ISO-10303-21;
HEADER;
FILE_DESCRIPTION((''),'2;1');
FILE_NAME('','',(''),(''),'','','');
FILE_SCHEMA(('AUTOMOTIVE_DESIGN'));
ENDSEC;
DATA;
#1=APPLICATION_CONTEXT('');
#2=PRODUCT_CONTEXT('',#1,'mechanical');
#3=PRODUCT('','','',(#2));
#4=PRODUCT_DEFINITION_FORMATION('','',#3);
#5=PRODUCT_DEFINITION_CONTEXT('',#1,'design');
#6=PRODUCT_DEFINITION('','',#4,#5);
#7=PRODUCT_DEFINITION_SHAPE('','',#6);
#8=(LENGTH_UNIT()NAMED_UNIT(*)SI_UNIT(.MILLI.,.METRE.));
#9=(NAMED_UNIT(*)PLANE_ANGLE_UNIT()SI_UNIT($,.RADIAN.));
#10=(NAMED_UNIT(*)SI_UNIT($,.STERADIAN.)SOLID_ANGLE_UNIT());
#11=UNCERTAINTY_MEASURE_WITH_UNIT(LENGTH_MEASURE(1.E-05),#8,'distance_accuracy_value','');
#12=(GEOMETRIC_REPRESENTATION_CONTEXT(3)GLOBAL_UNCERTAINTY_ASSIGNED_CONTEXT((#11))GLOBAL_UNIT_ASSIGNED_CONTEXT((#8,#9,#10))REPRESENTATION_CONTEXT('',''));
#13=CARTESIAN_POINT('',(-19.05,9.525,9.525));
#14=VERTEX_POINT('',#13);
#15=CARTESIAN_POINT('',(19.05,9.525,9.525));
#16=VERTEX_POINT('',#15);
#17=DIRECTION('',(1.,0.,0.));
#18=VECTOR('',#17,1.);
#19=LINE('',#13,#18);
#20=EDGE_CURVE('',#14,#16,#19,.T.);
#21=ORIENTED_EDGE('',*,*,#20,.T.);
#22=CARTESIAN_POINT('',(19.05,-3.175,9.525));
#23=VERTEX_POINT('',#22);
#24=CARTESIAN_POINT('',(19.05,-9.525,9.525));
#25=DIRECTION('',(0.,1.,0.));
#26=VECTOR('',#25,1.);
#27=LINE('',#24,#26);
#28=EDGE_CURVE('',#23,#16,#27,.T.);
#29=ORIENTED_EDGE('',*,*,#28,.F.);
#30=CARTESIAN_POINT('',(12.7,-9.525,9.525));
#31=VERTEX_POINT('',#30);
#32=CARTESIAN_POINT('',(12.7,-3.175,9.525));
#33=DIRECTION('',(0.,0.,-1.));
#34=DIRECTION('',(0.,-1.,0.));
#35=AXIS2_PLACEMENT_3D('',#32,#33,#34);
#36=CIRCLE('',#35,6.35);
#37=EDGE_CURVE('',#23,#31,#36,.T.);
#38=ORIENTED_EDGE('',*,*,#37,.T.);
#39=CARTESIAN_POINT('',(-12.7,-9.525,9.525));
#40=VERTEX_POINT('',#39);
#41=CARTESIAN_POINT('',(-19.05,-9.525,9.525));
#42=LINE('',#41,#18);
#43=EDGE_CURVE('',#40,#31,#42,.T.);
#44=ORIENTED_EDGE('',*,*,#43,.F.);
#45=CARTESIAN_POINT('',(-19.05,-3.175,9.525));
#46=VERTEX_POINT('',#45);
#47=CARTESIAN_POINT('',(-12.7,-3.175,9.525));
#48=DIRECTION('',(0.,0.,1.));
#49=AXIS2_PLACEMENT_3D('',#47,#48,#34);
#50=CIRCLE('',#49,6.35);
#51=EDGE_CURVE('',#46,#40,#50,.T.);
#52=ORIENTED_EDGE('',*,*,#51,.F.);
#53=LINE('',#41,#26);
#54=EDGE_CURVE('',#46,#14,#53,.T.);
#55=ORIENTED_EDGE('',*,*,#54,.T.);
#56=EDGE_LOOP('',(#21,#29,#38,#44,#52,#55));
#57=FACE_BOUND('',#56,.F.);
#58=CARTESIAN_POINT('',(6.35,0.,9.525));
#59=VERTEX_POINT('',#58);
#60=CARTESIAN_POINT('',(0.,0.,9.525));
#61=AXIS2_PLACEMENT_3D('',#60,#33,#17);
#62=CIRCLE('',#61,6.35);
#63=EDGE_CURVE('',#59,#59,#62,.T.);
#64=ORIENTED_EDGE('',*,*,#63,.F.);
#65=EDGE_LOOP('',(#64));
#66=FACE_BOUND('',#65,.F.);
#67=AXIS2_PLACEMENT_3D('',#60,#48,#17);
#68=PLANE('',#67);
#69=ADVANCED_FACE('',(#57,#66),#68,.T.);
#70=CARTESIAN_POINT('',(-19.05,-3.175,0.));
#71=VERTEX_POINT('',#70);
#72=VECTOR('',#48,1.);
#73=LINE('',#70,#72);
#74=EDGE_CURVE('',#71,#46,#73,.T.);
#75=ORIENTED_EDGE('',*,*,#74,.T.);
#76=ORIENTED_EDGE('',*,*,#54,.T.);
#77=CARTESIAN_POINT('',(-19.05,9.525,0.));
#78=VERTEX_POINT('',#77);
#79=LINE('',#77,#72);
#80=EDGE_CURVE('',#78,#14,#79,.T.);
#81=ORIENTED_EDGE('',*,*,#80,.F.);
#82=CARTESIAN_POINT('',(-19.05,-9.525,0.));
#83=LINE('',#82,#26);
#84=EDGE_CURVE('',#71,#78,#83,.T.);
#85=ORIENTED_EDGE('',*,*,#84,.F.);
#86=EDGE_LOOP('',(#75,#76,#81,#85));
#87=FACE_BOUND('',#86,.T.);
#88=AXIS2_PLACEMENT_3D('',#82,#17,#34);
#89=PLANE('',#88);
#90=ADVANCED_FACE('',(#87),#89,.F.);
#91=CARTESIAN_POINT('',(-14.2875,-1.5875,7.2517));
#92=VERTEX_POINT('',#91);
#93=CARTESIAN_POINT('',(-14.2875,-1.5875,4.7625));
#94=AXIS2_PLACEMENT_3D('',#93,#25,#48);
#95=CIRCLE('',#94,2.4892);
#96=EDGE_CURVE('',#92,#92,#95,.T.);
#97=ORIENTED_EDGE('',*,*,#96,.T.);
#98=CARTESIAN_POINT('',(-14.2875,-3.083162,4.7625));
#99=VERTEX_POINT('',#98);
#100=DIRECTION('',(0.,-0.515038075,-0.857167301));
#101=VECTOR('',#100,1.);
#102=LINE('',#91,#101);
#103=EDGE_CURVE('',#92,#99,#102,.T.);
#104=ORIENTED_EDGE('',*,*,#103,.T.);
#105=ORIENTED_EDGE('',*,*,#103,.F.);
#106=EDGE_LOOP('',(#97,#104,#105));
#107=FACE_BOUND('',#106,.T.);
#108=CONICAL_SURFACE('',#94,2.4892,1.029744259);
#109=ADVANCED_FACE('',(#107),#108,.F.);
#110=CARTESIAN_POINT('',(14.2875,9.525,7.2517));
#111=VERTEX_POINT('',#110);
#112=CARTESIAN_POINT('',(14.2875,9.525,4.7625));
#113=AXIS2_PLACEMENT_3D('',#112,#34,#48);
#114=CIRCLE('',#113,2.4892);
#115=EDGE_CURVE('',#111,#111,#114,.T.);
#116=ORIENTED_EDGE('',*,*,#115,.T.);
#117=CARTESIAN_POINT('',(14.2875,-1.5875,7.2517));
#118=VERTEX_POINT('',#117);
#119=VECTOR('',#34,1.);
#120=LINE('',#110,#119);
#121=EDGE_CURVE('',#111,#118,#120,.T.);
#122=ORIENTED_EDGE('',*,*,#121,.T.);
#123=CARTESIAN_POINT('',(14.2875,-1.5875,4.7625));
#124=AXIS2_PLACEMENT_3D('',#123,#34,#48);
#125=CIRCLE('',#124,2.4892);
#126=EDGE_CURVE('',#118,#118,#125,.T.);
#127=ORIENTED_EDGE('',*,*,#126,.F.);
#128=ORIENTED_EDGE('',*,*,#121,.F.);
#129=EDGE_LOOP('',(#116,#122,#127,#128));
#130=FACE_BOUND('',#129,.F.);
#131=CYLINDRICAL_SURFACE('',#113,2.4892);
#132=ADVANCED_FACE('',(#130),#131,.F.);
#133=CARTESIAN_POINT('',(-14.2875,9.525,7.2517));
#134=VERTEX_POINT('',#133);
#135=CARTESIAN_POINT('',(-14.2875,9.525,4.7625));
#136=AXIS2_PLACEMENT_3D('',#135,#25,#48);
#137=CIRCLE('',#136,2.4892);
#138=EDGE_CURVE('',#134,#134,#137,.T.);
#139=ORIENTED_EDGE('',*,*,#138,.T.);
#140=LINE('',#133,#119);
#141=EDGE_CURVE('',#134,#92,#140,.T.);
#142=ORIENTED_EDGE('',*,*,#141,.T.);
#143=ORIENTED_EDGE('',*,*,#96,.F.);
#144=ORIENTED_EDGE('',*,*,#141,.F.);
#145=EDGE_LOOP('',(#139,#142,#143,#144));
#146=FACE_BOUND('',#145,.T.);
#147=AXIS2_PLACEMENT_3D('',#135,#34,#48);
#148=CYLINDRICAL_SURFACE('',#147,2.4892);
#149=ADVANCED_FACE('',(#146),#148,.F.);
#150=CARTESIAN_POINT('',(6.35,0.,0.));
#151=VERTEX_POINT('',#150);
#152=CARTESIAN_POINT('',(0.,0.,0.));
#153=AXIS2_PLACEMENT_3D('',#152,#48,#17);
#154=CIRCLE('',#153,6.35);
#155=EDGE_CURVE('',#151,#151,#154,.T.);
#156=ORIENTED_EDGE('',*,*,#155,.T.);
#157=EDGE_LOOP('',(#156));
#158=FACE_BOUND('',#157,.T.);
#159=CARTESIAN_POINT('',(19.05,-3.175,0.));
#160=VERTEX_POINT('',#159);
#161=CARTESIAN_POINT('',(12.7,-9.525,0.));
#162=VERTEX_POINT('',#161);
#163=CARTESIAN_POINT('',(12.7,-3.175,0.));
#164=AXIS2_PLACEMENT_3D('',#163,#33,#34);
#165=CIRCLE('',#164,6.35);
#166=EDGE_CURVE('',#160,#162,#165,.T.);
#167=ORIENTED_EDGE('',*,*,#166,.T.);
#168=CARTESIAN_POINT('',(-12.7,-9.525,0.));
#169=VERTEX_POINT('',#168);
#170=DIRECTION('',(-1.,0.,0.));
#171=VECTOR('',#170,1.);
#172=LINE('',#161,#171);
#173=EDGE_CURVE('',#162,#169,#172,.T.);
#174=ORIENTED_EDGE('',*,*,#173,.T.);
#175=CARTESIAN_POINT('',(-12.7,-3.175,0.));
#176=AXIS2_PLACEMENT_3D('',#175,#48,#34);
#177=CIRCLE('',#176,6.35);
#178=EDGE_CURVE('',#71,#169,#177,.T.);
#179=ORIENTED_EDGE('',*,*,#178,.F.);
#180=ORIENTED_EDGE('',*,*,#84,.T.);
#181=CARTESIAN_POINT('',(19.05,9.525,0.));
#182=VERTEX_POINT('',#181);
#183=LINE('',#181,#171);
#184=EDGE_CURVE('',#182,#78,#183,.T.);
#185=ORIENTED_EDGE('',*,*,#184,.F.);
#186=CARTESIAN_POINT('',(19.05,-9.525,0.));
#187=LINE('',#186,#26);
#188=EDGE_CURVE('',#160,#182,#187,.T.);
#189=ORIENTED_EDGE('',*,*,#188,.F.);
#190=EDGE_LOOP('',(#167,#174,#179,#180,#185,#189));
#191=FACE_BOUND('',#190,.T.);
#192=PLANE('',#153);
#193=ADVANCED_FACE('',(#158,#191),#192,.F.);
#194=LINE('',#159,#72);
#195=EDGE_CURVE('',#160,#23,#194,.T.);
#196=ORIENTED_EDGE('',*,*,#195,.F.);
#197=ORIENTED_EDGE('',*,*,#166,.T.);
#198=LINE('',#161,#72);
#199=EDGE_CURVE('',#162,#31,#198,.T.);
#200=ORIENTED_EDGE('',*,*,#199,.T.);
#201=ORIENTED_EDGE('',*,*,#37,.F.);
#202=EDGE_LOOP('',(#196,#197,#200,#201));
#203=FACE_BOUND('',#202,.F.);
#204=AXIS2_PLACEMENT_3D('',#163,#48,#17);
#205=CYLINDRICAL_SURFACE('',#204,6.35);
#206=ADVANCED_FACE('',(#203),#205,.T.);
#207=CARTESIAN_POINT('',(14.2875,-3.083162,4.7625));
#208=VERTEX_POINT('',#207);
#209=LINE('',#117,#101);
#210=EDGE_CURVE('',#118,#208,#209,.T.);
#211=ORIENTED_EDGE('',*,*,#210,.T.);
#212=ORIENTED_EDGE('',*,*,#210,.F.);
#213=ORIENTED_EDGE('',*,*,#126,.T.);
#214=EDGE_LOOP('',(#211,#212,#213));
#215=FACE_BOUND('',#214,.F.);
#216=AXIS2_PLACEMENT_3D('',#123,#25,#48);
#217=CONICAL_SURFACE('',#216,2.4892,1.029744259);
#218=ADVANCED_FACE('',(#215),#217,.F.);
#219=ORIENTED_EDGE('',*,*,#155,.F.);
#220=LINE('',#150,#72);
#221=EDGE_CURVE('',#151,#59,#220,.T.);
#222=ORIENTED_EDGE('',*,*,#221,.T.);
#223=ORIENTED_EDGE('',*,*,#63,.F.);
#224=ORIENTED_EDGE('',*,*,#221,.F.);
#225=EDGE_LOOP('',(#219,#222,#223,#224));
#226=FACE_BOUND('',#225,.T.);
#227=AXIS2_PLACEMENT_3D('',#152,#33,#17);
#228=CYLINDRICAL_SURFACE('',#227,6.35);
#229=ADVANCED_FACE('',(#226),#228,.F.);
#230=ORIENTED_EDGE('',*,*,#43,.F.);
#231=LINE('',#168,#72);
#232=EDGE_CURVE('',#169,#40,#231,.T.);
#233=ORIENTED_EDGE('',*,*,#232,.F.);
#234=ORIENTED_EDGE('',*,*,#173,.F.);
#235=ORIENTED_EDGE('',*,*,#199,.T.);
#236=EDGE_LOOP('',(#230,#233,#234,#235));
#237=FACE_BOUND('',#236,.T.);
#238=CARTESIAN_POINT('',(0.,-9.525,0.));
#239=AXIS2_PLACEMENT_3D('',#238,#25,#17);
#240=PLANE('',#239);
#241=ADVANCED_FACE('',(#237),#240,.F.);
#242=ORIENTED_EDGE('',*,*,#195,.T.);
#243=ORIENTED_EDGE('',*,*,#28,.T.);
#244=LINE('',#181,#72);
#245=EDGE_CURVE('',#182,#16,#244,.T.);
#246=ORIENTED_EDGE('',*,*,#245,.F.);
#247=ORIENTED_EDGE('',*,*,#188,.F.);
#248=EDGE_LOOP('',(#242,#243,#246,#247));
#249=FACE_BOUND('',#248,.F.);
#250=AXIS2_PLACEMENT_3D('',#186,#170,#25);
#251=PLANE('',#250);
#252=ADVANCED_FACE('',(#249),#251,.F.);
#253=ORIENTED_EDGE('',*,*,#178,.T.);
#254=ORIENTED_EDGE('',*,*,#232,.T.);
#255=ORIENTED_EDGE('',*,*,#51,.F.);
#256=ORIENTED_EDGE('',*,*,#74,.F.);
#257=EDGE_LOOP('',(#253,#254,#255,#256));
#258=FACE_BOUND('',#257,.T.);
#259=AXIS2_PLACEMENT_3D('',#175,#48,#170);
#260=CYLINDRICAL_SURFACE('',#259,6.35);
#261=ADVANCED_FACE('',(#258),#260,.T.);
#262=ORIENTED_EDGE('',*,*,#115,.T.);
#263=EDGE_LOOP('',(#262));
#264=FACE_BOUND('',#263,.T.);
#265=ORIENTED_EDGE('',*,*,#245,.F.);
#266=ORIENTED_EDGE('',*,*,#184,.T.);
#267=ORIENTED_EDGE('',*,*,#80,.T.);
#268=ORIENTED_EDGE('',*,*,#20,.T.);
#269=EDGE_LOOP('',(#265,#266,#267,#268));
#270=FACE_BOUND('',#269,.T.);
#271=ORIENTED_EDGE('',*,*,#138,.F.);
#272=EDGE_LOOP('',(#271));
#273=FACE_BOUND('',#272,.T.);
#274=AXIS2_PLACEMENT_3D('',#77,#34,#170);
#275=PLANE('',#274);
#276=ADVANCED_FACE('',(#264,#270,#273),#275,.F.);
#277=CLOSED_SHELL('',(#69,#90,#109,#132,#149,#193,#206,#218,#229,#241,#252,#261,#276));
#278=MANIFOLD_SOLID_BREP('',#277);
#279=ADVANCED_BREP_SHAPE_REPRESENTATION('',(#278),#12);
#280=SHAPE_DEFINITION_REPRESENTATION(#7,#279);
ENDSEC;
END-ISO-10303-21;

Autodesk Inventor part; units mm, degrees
ref_plane "YZ Plane" through (0, 0, 0) normal (1, 0, 0) x (0, 1, 0)
ref_plane "XZ Plane" through (0, 0, 0) normal (0, 1, 0) x (-1, 0, 0)
ref_plane "XY Plane" through (0, 0, 0) normal (0, 0, 1) x (1, 0, 0)
sketch "Sketch1" plane through (0, 0, 0) normal (0, 0, 1) x (1, 0, 0)
  circle A0 centre (0, 0) radius 6.35
  arc A1 (0, 9.525) -> (0, -9.525) centre (0, 0) ccw
  line L0 (0, -9.525) -> (19.05, -9.525)
  line L1 (19.05, -9.525) -> (19.05, 9.525)
  line L2 (19.05, 9.525) -> (0, 9.525)
  dimension "d0" = 12.7
  dimension "d1" = 19.05
  dimension "d2" = 19.05
  dimension "d3" = 19.05
extrude "Extrusion1" add sketch "Sketch1" along normal blind 9.525
fillet "Fillet1" radius 6.35 1 edges at (19.05, -9.525, 4.7625)
sketch "Sketch2" plane through (0, 9.525, 0) normal (0, 1, 0) x (1, 0, 0)
  line L0 (0, 0) -> (19.05, 0) projected
  line L1 (0, 0) -> (0, -9.525) projected
  line L2 (19.05, -9.525) -> (0, -9.525) projected
  line L3 (19.05, 0) -> (19.05, -9.525) projected
  line L4 (6.35, 0) -> (6.35, -9.525) projected
  point P0 (0, 0)
  point P1 (14.2875, -4.7625)
  dimension "d7" = 4.7625
  dimension "d9" = 9.525
  dimension "d17" = 7.9375
hole "Hole1" at (14.2875, 9.525, 4.7625) direction (0, -1, 0) diameter 4.9784 depth 11.1125 tip angle 118 thread size "1/4-20 UNC" class "2B" standard "ANSI Unified Screw Threads"
mirror "Mirror1" about plane through (0, 0, 0) normal (1, 0, 0) of "Extrusion1", "Hole1", "Fillet1"
equation "\"d7\" = 0.5 * d9"
properties part number "WheelSuspensionHub" material "Aluminum 6061"
